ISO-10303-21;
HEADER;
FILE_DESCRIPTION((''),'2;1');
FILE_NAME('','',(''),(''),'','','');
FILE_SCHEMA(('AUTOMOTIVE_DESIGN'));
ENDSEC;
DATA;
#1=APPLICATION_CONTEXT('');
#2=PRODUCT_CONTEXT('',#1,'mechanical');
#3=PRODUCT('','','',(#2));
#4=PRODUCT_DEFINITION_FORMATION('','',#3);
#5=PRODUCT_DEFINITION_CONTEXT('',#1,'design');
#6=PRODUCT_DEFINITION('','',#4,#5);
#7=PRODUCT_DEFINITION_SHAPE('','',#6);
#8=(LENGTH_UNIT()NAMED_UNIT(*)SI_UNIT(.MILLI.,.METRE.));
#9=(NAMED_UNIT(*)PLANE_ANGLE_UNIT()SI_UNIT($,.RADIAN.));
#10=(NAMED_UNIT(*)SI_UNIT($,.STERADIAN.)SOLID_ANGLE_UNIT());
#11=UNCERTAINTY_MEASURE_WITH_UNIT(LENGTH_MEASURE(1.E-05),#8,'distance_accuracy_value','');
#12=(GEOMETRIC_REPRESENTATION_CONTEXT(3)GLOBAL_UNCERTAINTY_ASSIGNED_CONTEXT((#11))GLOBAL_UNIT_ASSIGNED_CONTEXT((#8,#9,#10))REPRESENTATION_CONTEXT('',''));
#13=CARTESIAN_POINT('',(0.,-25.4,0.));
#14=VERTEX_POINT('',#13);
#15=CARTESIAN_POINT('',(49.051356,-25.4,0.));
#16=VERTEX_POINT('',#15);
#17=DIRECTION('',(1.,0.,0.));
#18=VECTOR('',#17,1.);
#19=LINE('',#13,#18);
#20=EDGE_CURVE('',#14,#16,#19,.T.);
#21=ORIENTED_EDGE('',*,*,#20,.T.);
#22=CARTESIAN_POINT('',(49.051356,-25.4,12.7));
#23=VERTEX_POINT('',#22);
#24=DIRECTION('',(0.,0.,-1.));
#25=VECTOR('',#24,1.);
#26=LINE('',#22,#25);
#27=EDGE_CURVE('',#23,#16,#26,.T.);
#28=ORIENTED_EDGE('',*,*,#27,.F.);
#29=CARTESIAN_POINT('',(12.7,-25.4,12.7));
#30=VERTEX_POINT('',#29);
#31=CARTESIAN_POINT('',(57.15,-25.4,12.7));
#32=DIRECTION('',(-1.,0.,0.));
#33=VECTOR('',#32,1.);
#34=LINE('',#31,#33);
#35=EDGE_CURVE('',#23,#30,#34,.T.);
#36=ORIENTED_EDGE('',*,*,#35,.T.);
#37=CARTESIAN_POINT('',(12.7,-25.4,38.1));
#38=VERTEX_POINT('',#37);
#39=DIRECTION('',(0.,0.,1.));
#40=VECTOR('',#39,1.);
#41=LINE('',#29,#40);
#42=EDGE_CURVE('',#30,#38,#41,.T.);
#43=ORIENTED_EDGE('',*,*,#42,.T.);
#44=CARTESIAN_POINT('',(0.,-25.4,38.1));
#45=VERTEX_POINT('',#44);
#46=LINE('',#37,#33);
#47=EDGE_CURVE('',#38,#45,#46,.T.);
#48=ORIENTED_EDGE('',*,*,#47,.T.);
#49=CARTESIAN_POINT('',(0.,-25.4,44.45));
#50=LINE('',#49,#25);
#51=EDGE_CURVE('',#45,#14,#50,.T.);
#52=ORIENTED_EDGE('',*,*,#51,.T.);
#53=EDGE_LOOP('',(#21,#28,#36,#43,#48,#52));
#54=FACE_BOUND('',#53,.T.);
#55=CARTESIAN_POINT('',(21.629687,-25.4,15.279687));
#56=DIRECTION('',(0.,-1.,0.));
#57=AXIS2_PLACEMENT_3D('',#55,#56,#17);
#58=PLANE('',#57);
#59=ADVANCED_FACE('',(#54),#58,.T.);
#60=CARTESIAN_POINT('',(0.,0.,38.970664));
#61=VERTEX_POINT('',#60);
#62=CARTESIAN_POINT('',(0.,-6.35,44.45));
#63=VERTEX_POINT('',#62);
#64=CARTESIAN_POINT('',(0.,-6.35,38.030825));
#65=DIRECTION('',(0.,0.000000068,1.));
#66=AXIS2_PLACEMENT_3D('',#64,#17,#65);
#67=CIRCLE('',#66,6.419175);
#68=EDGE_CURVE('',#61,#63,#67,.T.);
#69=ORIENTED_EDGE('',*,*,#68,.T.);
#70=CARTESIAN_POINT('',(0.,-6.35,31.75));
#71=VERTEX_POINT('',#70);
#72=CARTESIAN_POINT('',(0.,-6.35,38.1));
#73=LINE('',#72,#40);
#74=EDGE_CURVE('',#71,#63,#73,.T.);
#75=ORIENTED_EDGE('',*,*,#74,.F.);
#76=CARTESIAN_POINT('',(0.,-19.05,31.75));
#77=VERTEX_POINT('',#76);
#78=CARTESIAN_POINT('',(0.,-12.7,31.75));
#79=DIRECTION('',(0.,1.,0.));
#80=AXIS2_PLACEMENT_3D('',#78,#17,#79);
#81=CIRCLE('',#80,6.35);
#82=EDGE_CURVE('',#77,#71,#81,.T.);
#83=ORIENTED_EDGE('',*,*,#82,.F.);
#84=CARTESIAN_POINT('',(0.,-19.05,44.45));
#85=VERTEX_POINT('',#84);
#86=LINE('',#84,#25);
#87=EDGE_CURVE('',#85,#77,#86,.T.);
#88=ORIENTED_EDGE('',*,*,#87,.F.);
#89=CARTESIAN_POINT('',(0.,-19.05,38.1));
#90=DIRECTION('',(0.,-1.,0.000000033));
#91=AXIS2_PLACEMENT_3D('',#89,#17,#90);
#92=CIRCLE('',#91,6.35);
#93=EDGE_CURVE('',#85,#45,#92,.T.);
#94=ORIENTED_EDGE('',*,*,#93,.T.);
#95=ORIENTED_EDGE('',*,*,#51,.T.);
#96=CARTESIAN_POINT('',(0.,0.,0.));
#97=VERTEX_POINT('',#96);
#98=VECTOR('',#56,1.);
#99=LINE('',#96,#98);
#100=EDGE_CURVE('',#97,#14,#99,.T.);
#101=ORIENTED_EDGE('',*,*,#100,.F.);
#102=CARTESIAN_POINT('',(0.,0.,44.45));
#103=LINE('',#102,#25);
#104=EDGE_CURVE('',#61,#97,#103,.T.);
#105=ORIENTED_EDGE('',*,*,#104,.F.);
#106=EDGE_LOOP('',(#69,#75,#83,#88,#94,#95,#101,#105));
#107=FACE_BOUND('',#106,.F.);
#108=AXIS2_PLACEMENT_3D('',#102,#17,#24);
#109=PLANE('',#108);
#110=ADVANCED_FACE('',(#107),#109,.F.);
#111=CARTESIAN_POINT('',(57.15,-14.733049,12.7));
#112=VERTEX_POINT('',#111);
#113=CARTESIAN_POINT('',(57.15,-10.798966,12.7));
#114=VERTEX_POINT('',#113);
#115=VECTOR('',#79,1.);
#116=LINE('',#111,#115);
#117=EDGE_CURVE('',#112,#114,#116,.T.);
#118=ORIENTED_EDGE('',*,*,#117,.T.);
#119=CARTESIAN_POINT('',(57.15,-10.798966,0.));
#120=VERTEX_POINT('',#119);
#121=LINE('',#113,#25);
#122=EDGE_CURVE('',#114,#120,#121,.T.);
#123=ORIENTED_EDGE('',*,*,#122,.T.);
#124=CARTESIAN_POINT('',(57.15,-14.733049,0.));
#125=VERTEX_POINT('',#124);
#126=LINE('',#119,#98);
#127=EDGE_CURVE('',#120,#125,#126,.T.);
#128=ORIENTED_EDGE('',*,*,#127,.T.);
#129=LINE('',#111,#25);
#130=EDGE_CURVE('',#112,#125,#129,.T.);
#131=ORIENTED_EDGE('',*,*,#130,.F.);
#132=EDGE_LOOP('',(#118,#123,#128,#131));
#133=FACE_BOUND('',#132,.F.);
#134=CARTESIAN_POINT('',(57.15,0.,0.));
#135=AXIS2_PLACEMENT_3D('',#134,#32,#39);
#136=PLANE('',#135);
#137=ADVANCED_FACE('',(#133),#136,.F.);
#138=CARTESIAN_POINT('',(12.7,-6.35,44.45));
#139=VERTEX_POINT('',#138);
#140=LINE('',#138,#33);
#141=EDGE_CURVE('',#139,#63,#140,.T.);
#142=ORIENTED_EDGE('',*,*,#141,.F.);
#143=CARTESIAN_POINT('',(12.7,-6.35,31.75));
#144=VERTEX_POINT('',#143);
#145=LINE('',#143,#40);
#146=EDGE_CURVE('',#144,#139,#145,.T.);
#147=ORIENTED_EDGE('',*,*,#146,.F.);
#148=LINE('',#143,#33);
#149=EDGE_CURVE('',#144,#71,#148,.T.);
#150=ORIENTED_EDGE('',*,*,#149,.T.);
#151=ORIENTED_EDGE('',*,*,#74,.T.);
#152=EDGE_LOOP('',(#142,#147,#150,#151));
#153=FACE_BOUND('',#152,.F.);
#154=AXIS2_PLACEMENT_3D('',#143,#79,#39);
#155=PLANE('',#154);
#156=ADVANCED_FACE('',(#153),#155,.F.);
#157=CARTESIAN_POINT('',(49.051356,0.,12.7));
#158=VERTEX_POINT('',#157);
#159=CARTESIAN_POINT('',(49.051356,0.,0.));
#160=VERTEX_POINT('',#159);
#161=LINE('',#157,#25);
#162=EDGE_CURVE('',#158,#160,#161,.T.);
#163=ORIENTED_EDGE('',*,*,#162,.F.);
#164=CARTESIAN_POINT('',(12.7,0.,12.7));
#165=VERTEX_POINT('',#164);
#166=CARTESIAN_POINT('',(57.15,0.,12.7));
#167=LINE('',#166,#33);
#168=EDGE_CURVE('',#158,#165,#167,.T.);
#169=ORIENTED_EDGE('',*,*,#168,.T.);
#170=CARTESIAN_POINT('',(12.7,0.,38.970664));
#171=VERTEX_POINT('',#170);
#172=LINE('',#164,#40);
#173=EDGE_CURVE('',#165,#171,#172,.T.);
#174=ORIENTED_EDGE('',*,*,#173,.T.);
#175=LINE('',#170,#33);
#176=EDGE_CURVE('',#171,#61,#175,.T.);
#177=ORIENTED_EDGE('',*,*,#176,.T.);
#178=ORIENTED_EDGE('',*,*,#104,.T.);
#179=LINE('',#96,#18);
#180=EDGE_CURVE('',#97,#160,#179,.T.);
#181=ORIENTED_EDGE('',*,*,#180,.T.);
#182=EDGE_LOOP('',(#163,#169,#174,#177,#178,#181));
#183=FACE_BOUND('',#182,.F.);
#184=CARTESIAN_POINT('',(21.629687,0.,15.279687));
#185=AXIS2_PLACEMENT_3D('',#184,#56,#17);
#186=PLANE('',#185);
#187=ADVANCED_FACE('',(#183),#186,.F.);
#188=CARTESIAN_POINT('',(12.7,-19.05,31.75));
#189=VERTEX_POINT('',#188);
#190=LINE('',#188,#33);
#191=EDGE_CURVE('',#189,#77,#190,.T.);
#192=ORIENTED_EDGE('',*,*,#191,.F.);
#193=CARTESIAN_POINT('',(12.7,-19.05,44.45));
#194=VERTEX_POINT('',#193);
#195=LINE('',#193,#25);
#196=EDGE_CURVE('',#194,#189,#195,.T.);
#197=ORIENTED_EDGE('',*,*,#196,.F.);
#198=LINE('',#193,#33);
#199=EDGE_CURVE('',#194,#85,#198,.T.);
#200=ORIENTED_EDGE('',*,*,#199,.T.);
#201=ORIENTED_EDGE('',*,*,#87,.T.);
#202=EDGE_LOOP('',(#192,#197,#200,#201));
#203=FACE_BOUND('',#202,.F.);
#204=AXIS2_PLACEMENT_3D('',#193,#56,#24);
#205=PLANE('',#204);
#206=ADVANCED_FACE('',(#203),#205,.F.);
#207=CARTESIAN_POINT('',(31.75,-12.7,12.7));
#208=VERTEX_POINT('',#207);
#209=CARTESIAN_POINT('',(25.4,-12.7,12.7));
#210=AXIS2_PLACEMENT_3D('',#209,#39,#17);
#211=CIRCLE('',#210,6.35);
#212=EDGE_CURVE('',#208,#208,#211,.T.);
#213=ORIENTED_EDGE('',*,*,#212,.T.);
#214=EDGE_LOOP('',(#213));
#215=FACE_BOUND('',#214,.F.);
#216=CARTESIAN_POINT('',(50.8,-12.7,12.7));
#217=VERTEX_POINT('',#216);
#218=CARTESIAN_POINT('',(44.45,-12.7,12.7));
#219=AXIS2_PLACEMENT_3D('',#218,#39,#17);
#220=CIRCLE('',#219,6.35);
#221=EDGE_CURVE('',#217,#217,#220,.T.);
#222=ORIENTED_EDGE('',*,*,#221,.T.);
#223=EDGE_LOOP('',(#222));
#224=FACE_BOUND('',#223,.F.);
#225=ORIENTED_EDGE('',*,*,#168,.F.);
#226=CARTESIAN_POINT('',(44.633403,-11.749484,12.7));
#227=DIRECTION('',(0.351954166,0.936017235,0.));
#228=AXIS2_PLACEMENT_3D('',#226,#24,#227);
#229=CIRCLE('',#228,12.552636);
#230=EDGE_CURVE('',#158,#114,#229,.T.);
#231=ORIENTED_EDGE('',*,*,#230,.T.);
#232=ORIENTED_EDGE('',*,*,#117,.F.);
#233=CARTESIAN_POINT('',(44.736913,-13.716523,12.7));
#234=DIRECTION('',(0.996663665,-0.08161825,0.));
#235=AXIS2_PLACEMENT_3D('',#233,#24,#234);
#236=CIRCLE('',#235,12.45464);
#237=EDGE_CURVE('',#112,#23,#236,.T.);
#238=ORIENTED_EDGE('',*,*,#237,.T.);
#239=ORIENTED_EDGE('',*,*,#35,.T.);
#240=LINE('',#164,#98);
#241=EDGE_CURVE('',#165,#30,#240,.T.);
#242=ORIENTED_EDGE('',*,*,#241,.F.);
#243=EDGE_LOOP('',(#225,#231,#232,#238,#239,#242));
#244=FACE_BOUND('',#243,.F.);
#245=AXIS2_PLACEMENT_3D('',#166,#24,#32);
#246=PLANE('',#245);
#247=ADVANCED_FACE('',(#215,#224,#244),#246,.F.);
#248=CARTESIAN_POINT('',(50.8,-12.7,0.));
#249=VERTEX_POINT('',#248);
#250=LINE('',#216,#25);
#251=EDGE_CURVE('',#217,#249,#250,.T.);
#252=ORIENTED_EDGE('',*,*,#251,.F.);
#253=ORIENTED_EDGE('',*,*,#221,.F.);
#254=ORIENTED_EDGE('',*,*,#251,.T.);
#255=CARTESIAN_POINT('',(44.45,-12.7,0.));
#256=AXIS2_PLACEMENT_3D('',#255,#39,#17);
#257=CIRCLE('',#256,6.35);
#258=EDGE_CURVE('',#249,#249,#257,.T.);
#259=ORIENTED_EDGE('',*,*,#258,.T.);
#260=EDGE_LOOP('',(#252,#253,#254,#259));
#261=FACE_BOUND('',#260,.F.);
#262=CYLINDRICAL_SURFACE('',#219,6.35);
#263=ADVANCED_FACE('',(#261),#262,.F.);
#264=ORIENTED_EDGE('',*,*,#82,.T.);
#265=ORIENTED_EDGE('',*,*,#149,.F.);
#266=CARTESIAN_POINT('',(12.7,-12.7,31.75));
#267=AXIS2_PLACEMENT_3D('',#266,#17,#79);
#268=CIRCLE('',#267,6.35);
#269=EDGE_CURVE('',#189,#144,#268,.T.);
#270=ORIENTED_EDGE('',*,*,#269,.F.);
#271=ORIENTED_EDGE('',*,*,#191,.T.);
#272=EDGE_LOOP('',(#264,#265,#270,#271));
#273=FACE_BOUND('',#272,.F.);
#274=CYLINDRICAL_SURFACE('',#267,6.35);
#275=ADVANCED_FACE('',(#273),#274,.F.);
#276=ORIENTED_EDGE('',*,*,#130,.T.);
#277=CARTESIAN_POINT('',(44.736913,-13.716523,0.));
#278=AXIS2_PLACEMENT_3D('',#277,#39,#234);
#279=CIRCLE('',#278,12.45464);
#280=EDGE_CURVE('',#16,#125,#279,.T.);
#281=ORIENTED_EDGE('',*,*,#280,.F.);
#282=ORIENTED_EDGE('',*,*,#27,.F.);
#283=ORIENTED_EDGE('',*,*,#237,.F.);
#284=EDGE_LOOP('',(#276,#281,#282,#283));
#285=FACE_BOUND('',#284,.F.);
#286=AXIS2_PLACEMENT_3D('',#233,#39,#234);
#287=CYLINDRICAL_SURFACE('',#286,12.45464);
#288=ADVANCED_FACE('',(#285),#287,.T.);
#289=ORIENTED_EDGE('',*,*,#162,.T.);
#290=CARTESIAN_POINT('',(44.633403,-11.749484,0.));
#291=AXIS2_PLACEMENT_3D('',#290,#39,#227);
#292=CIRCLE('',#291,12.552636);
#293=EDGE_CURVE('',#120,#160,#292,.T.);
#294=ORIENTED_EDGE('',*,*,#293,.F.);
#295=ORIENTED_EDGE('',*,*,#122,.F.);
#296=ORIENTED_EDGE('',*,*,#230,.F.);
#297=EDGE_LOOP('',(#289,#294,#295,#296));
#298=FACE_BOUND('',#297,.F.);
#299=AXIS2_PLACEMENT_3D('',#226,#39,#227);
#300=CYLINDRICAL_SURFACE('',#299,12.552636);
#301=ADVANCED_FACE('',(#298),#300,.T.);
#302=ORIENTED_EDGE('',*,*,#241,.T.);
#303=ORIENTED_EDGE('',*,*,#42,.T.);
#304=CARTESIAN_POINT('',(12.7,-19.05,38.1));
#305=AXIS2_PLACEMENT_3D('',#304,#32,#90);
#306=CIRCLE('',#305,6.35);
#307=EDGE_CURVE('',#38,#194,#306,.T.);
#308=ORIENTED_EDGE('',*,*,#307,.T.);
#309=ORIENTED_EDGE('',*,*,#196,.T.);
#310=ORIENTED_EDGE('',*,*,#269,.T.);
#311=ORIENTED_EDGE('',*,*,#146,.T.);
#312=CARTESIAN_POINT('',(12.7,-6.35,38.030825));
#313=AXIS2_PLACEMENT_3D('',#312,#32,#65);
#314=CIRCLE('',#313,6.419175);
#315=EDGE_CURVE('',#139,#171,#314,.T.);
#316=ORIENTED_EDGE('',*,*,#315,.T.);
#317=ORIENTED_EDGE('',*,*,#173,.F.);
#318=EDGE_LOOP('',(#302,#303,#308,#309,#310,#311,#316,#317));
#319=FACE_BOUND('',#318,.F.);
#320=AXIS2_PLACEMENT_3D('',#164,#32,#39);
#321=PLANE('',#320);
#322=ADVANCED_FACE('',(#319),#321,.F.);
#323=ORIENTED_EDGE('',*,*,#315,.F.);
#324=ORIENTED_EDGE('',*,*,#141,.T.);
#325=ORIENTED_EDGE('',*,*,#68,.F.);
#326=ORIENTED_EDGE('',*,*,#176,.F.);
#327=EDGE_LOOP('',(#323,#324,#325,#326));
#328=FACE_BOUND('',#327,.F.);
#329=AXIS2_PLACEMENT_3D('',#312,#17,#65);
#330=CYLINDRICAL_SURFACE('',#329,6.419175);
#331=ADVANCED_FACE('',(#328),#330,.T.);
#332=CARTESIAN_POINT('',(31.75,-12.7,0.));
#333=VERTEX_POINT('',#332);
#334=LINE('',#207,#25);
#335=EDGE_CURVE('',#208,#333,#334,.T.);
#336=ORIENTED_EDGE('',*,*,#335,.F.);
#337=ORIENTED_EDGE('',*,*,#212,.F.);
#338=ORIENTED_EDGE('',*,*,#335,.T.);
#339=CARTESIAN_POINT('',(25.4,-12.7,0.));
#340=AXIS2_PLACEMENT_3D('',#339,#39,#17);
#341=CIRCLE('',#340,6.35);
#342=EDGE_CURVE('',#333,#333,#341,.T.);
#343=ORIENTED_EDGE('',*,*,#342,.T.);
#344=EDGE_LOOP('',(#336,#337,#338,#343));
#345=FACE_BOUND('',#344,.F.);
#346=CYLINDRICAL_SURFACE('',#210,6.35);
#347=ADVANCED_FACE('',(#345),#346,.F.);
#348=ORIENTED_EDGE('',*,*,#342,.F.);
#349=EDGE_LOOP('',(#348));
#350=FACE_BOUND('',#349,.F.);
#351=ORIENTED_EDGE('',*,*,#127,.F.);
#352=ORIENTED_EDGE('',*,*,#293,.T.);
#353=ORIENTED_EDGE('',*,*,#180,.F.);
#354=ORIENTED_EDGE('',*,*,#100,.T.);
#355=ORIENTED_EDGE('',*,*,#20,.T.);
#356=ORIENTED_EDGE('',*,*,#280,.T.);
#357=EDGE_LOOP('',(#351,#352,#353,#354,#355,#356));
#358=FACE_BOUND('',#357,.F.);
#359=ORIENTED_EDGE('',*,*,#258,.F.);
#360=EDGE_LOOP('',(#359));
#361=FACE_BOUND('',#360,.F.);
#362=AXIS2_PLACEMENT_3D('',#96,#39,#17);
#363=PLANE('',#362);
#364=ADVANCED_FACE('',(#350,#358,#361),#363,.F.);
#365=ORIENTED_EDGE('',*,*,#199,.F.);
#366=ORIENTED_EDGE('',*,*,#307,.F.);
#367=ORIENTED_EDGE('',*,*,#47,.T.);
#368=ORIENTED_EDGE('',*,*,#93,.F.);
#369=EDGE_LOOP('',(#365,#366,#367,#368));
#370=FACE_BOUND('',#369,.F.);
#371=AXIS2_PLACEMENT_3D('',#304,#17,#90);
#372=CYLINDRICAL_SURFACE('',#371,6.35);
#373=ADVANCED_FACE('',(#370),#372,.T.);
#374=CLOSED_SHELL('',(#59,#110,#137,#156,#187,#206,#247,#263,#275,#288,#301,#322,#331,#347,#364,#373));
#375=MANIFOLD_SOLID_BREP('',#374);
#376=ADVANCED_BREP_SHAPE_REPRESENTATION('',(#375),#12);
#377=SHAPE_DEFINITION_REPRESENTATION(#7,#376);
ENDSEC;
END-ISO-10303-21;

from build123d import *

# Parameters (mm, degrees)
F1_DEPTH = 25.4
F3_DEPTH = 25.4
F5_DEPTH = 25.4
F6_R     = 6.35
F7_DEPTH = 25.4
F9_DEPTH = 25.4


with BuildPart() as f1:
    # F0 (on Front) → F1 (new body)
    with BuildSketch(Plane.XZ):
        Polygon((0, 44.45), (0, 0), (57.15, 0), (57.15, 12.7), (12.7, 12.7), (12.7, 44.45), align=None)
    extrude(amount=F1_DEPTH)

    # F2 (on face) → F3 (cut)
    with BuildSketch(Plane.YZ.offset(12.7)):
        with BuildLine():
            ThreePointArc((-19.05, 31.75), (-12.7, 25.4), (-6.35, 31.75))
            ThreePointArc((-6.35, 31.75), (-12.7, 38.1), (-19.05, 31.75))
        make_face()
        with BuildLine():
            ThreePointArc((-19.05, 31.75), (-12.7, 38.1), (-6.35, 31.75))
            Line((-6.35, 31.75), (-6.35, 44.45))
            Line((-6.35, 44.45), (-19.05, 44.45))
            Line((-19.05, 44.45), (-19.05, 31.75))
        make_face()
    extrude(amount=-F3_DEPTH, mode=Mode.SUBTRACT)

    # F4 (on face) → F5 (cut)
    with BuildSketch(Plane.YZ.offset(12.7)):
        with BuildLine():
            Line((-25.4, 44.45), (-25.4, 38.1))
            ThreePointArc((-25.4, 38.1), (-23.540128, 42.590128), (-19.05, 44.45))
            Line((-19.05, 44.45), (-25.4, 44.45))
        make_face()
        with BuildLine():
            Line((0, 44.45), (-6.35, 44.45))
            ThreePointArc((-6.35, 44.45), (-2.156385, 42.890804), (0, 38.970664))
            Line((0, 38.970664), (0, 44.45))
        make_face()
    extrude(amount=-F5_DEPTH, mode=Mode.SUBTRACT)

    # F6 (on face) → F7 (cut)
    with BuildSketch(Plane.XY.offset(12.7)):
        with Locations((44.45, -12.7)):
            Circle(F6_R)
        with Locations((25.4, -12.7)):
            Circle(F6_R)
    extrude(amount=-F7_DEPTH, mode=Mode.SUBTRACT)

    # F8 (on face) → F9 (cut)
    with BuildSketch(Plane.XY.offset(12.7)):
        with BuildLine():
            Line((57.15, -25.4), (57.15, -14.733049))
            ThreePointArc((57.15, -14.733049), (54.656516, -21.24776), (49.051356, -25.4))
            Line((49.051356, -25.4), (57.15, -25.4))
        make_face()
        with BuildLine():
            ThreePointArc((57.15, -14.733049), (57.191553, -13.716524), (57.15, -12.7))
            Line((57.15, -12.7), (57.15, -14.733049))
        make_face()
        with BuildLine():
            ThreePointArc((57.15, -12.7), (57.186039, -11.749483), (57.15, -10.798966))
            Line((57.15, -10.798966), (57.15, -12.7))
        make_face()
        with BuildLine():
            Line((57.15, 0), (49.051356, 0))
            ThreePointArc((49.051356, 0), (54.675771, -4.218247), (57.15, -10.798966))
            Line((57.15, -10.798966), (57.15, 0))
        make_face()
    extrude(amount=-F9_DEPTH, mode=Mode.SUBTRACT)


solid = f1.part
